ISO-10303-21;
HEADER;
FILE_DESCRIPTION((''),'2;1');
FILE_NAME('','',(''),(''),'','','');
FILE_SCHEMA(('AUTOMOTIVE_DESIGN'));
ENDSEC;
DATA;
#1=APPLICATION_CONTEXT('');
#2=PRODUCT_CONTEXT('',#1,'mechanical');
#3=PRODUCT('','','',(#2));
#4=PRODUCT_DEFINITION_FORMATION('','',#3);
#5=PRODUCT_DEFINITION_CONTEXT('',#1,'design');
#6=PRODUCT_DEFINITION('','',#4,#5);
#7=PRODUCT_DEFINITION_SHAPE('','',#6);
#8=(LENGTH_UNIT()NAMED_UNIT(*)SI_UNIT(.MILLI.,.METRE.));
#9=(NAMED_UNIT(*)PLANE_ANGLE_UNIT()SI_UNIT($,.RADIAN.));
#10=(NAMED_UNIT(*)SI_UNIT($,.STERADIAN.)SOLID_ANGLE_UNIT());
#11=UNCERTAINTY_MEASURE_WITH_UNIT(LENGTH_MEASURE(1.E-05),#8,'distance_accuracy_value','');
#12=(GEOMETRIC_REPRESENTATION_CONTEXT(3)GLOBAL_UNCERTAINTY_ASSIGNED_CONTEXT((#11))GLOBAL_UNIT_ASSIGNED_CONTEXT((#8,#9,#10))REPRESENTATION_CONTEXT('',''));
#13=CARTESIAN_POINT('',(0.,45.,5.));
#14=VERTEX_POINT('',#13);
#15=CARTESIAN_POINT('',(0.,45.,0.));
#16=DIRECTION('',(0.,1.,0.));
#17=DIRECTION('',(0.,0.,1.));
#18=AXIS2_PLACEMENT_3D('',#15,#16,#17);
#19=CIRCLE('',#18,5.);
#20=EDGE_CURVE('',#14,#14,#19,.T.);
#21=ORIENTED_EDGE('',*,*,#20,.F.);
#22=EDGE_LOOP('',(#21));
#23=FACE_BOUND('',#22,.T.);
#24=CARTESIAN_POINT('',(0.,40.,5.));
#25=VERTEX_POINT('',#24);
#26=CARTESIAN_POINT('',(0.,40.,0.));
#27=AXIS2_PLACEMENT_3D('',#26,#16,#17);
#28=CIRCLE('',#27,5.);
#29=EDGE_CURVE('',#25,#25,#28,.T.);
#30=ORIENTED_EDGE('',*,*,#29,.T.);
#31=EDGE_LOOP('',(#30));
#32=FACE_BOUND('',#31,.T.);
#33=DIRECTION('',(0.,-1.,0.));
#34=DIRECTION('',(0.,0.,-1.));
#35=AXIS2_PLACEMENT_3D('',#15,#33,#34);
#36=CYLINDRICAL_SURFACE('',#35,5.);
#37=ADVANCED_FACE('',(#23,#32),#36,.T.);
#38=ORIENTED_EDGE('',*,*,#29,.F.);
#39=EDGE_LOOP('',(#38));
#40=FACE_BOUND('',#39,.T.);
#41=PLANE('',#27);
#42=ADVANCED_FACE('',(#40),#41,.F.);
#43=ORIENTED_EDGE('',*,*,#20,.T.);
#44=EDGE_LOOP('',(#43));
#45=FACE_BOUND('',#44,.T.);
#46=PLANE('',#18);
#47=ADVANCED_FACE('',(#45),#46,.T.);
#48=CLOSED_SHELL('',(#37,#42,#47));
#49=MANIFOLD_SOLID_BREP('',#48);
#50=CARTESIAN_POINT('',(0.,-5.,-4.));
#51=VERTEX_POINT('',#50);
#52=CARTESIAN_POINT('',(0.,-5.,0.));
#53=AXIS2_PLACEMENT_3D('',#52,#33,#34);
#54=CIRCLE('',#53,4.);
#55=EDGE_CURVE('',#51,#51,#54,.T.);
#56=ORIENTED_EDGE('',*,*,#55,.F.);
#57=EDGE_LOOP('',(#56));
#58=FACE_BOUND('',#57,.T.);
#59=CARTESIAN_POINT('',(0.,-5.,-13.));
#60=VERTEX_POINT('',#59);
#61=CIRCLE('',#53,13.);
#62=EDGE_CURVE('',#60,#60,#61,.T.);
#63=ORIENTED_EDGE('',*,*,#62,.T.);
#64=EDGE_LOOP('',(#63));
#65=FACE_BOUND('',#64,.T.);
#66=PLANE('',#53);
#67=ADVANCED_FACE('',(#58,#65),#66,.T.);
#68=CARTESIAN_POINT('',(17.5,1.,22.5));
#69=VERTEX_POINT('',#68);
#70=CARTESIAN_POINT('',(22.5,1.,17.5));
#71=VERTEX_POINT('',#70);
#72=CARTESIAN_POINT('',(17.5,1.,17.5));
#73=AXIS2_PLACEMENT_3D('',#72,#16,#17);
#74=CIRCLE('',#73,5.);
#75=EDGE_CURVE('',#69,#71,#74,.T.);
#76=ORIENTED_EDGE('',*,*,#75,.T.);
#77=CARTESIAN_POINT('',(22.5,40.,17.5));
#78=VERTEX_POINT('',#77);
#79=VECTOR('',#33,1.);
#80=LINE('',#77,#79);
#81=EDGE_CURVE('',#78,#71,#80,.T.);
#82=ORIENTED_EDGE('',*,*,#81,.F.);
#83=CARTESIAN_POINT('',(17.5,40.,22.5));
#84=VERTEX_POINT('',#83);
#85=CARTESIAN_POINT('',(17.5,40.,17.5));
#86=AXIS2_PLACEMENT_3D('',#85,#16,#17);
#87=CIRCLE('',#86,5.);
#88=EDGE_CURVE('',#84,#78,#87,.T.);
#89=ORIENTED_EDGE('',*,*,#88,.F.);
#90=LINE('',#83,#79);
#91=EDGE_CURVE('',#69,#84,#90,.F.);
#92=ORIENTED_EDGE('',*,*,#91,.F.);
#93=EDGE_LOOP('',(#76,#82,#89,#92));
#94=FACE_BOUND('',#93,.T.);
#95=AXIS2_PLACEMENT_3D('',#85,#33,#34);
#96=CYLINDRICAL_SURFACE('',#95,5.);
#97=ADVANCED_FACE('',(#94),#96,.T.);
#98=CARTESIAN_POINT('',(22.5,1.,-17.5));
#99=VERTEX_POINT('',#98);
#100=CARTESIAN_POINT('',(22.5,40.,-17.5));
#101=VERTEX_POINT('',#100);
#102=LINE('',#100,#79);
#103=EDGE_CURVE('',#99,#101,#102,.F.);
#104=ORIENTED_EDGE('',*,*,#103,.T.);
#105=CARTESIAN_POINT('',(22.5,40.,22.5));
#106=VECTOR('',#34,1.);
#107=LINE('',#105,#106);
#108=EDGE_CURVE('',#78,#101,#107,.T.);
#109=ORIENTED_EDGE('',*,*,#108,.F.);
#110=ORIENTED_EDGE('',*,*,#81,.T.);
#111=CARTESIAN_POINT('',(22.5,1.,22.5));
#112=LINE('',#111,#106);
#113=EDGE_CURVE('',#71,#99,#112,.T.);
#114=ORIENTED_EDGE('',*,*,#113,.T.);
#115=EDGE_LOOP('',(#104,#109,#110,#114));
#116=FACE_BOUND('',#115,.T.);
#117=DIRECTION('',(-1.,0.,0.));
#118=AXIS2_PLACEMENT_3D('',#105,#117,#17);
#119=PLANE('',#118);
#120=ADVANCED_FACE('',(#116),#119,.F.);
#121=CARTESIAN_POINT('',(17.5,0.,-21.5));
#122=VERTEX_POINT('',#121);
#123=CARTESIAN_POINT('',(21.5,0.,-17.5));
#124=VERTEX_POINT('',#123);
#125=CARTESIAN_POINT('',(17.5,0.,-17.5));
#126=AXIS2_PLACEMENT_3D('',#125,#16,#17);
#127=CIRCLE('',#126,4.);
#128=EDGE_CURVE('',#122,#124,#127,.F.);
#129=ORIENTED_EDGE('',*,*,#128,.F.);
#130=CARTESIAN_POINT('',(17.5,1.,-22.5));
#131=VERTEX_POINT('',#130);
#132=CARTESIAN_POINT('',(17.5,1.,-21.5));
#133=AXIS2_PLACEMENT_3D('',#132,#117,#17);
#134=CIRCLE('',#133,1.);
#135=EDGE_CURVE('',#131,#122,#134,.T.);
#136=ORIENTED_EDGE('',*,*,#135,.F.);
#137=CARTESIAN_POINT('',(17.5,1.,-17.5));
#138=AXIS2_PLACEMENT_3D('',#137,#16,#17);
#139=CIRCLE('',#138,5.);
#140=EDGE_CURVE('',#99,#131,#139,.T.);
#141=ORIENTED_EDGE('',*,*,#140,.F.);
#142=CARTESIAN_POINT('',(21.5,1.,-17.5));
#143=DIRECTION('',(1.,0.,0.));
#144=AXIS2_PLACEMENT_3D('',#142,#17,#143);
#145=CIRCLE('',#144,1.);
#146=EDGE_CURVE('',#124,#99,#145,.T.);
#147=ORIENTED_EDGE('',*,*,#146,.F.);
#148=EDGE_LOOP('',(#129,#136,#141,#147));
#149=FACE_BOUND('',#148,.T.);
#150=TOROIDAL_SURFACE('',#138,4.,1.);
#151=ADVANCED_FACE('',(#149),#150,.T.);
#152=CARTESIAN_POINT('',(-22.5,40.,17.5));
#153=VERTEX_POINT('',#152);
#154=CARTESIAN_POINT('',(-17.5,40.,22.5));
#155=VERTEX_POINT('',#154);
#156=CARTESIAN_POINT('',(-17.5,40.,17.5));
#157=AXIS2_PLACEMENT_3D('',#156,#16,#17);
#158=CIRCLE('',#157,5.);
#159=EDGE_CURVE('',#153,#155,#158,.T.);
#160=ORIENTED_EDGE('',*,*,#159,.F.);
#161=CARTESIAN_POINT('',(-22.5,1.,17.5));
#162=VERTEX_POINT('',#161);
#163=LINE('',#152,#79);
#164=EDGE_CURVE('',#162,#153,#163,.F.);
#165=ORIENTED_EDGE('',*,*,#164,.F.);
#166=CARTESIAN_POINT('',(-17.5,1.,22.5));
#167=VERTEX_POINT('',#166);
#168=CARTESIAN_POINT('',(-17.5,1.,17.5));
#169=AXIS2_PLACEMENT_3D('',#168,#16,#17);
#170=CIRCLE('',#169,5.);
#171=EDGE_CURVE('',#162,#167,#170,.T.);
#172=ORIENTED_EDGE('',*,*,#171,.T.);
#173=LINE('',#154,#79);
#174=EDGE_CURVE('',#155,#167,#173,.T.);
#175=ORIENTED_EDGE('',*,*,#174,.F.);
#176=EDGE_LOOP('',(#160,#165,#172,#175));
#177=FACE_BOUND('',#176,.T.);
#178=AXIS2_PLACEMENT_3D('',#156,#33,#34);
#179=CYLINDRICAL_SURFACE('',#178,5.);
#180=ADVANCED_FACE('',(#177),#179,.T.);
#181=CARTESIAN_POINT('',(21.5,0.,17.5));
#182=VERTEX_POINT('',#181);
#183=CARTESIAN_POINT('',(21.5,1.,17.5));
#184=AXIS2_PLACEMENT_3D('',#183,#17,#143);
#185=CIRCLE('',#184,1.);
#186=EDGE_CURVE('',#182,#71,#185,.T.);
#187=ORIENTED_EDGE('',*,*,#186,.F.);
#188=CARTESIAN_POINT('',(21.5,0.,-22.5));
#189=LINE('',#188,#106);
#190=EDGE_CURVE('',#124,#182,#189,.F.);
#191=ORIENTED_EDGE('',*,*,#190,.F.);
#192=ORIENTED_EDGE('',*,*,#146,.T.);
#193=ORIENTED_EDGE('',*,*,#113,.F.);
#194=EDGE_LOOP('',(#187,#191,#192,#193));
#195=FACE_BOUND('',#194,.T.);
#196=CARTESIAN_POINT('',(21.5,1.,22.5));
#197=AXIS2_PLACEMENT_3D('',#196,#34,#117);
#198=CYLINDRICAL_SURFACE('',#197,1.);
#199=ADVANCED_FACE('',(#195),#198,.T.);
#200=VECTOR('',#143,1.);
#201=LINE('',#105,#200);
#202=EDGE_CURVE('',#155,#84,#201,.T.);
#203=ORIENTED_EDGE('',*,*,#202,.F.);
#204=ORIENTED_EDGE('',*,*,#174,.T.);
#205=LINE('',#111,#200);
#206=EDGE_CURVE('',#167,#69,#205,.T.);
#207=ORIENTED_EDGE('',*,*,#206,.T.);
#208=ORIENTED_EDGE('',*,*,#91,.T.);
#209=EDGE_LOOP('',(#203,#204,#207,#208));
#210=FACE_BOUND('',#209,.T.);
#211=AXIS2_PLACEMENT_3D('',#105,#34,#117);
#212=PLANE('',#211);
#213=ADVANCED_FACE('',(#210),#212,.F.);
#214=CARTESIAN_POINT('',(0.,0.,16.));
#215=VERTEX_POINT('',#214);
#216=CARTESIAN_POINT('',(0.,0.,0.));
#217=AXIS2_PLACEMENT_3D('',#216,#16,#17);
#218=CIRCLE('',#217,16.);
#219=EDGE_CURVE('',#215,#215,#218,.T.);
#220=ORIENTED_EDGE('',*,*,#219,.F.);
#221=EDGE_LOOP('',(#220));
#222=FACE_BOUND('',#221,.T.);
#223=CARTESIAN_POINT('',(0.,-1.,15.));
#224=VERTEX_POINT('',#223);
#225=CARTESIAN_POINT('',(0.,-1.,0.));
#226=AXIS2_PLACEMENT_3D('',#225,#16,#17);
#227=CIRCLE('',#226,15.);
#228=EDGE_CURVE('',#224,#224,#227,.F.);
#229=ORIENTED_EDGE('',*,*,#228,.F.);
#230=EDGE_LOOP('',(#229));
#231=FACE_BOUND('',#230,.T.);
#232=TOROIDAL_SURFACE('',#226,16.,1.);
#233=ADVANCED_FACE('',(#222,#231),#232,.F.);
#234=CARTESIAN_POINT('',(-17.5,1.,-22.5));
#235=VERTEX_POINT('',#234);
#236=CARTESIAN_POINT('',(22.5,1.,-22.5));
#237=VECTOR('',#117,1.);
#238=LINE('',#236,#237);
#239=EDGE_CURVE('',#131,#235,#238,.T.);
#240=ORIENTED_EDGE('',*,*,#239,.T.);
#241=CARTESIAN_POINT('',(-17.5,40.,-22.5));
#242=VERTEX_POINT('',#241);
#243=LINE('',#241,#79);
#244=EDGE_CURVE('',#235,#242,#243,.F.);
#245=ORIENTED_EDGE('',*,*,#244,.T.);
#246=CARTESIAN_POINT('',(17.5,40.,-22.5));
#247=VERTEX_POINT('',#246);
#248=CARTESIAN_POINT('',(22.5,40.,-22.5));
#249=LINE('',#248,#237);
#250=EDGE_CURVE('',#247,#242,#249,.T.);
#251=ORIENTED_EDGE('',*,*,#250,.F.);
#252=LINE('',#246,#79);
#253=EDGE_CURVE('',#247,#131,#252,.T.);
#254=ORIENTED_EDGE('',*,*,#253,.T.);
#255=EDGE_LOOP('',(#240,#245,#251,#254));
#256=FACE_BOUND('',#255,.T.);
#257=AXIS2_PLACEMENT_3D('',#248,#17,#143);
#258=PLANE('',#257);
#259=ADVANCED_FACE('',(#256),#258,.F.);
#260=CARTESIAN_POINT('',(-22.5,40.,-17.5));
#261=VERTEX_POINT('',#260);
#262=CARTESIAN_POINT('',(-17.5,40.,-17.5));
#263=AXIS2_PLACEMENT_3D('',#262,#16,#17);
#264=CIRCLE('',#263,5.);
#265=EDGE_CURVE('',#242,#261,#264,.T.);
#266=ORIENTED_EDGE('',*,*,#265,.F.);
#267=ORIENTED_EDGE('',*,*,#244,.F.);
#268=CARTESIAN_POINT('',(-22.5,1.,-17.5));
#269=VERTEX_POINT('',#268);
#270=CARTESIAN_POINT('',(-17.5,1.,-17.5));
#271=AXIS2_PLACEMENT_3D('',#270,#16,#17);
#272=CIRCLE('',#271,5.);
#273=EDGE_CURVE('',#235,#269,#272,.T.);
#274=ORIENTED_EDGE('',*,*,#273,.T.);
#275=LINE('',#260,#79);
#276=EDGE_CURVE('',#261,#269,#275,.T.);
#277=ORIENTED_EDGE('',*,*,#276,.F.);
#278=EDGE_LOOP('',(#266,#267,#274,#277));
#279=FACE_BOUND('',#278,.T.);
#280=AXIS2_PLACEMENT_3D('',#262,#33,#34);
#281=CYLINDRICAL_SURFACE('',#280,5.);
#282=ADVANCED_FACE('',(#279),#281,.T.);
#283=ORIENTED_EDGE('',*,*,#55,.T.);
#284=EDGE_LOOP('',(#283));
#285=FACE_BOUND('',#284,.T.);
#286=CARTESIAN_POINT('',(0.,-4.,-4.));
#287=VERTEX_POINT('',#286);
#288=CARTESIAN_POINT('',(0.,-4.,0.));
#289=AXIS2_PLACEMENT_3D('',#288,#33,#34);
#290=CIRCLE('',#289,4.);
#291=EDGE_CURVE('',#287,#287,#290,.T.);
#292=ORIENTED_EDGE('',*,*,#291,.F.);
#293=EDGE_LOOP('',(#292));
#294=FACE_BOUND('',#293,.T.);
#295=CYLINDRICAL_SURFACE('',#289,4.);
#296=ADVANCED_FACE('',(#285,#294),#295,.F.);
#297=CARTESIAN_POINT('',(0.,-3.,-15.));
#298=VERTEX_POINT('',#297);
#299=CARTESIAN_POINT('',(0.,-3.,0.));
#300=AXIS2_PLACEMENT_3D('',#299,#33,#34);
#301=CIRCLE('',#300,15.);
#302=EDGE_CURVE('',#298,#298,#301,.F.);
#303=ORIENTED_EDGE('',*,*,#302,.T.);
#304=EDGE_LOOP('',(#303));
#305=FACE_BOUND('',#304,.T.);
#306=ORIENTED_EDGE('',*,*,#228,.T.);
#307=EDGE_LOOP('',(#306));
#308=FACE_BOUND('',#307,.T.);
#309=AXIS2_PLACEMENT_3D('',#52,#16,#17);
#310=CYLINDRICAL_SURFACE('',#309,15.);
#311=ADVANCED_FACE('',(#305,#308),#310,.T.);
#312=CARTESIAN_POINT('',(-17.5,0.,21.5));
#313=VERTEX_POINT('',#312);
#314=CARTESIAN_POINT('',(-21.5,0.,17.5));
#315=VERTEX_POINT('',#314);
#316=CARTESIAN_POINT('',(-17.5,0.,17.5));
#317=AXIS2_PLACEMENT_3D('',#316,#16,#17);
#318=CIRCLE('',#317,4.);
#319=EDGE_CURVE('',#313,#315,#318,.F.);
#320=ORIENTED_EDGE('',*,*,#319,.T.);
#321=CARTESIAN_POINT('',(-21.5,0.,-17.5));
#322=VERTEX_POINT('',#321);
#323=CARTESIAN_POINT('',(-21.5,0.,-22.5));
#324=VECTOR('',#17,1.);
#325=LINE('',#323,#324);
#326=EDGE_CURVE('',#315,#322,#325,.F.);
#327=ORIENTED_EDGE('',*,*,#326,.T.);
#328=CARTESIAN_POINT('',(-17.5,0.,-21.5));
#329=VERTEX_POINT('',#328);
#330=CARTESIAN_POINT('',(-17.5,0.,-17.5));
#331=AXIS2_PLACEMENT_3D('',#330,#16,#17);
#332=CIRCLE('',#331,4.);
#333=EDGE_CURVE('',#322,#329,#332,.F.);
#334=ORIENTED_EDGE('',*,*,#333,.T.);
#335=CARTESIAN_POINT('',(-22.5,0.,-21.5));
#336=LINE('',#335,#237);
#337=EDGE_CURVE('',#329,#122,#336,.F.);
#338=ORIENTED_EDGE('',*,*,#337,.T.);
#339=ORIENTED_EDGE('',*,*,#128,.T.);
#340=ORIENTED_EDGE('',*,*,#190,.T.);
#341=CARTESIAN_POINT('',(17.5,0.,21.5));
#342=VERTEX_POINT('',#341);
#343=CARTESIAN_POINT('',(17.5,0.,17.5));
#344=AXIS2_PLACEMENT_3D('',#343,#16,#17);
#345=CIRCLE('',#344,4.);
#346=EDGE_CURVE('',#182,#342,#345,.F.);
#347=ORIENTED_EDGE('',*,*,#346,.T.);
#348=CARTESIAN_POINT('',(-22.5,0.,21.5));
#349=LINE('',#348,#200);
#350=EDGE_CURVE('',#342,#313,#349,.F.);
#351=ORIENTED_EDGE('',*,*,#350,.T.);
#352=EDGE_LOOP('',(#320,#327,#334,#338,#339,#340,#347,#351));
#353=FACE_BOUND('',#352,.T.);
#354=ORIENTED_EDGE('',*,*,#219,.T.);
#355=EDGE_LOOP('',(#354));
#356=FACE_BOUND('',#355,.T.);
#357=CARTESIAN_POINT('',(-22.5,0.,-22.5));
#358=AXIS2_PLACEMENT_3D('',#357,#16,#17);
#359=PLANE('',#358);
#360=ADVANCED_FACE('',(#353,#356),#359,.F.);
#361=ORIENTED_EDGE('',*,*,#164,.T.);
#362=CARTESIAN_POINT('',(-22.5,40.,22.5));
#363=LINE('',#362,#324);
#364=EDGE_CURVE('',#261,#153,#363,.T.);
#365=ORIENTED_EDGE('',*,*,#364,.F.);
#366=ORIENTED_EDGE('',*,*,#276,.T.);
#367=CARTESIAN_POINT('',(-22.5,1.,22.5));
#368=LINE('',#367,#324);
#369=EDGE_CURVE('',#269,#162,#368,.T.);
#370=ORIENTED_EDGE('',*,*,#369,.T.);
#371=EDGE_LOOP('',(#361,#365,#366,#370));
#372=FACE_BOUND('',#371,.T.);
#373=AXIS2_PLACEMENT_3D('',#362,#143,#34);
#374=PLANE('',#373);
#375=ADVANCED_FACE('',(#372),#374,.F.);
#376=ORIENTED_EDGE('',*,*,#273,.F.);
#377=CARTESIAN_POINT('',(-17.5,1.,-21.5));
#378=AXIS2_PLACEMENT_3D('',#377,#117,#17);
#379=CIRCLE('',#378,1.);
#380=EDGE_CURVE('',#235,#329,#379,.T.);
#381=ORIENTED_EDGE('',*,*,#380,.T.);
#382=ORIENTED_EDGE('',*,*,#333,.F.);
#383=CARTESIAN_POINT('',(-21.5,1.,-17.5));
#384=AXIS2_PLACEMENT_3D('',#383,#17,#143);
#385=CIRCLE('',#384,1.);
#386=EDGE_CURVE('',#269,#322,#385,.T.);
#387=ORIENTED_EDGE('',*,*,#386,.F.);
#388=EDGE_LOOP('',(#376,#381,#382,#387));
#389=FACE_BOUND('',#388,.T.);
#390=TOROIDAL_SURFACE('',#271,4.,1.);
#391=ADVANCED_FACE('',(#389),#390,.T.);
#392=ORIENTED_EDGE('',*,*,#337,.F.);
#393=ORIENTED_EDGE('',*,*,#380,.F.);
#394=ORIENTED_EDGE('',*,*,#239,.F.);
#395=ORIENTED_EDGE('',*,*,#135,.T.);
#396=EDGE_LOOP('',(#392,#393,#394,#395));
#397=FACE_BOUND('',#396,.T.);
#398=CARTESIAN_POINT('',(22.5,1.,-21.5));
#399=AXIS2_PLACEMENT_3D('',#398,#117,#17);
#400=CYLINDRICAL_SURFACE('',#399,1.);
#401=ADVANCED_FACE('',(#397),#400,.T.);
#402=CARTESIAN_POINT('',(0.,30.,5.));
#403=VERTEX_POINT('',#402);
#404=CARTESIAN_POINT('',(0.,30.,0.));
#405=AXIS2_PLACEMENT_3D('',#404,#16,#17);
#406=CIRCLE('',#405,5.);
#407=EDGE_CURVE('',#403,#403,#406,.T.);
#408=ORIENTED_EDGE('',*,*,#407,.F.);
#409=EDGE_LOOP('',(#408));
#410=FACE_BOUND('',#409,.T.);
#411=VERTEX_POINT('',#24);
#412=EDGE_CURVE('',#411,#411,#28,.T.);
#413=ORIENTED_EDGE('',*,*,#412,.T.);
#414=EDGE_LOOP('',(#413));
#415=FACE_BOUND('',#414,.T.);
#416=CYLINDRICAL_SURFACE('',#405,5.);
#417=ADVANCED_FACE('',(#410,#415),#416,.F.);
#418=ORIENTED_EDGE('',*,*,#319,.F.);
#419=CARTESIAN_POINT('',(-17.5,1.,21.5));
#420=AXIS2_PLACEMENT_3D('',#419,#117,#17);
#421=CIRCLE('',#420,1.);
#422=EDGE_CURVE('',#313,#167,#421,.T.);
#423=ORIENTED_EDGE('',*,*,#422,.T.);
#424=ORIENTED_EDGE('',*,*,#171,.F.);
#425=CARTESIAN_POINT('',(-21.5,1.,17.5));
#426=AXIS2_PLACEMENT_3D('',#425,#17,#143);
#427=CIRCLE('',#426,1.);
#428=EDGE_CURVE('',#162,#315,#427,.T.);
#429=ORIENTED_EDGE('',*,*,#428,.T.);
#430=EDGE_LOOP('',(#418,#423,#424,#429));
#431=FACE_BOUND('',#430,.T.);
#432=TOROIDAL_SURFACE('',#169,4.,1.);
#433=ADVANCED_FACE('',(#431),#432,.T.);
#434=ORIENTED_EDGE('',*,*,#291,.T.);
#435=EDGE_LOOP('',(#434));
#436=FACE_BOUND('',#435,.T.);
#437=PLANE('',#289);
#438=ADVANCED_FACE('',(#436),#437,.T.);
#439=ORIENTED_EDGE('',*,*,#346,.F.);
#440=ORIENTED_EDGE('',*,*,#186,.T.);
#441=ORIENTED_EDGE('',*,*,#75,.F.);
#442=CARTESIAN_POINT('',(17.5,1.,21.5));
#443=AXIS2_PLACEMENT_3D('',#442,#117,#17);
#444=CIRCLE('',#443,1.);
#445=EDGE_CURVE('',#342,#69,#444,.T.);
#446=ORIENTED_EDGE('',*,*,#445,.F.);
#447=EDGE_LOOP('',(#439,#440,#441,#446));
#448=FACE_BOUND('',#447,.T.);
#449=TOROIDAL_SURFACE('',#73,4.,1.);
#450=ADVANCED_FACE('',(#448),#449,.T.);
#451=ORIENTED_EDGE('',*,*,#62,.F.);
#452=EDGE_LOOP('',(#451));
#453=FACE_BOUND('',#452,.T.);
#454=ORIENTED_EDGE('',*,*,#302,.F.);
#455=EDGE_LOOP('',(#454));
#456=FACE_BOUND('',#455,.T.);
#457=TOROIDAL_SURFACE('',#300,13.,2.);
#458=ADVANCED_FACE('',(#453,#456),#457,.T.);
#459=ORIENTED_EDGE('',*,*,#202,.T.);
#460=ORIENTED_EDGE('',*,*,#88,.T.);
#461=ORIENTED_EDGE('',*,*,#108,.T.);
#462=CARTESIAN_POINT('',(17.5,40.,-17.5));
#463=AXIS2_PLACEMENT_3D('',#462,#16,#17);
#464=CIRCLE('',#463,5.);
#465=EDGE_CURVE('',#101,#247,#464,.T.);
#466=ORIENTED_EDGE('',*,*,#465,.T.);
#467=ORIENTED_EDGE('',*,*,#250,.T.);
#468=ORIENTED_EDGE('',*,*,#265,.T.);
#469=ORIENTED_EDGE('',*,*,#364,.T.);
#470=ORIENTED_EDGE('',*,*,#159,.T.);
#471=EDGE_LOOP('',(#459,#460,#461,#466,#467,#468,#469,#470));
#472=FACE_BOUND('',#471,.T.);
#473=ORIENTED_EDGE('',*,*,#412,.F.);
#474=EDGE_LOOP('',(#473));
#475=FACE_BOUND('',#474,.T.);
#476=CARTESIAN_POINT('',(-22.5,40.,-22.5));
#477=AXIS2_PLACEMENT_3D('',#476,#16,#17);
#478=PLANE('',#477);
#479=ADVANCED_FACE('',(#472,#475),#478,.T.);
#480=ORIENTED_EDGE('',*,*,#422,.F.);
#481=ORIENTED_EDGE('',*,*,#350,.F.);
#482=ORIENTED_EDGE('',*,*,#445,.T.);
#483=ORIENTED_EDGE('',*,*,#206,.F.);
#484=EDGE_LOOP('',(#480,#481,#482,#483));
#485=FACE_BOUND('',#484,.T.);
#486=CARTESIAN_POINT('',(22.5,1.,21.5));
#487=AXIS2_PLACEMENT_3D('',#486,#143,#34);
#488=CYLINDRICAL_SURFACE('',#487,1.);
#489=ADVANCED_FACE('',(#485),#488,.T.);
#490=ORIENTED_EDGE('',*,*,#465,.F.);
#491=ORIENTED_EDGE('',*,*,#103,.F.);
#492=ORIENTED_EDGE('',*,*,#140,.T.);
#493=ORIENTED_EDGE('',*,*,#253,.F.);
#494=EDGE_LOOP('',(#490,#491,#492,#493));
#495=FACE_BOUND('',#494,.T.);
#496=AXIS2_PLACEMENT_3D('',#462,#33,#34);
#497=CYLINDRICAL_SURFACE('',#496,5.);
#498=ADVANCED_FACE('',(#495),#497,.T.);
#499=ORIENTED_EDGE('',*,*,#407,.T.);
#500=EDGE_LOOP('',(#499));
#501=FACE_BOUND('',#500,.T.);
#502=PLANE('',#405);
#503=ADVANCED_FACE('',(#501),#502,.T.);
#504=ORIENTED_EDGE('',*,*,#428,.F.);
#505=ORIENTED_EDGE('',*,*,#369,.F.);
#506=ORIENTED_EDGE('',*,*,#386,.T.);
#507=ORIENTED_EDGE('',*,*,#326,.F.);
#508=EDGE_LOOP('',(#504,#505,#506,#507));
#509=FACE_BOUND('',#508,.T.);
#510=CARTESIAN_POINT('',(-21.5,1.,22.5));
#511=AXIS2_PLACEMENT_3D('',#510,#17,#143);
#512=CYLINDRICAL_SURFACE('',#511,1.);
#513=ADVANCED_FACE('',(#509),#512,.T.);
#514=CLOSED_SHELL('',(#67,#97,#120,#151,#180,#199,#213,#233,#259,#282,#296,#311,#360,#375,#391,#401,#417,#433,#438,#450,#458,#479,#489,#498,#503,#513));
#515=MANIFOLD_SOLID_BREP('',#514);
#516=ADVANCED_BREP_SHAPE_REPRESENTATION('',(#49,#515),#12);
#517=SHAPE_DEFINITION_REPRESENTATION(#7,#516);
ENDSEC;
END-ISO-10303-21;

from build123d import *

# Parameters (mm, degrees)
CROQUIS1_W     = 45
CROQUIS1_H     = 45
EXTRUIR1_DEPTH = 40
CROQUIS2_R     = 5
EXTRUIR2_DEPTH = 10
REDONDEO1_R    = 5
CROQUIS3_R     = 15
EXTRUIR3_DEPTH = 5
REDONDEO2_R    = 2
REDONDEO3_R    = 1
CROQUIS4_R     = 4
EXTRUIR4_DEPTH = 1
CROQUIS5_R     = 5
EXTRUIR5_DEPTH = 5


with BuildPart() as part:
    # Croquis1 → Extruir1 (new body)
    with BuildSketch(Plane(origin=(0, 0, 0), x_dir=(1, 0, 0), z_dir=(0, 1, 0))):
        Rectangle(CROQUIS1_W, CROQUIS1_H)
    extrude(amount=EXTRUIR1_DEPTH)

    # Croquis2 → Extruir2 (cut)
    with BuildSketch(Plane(origin=(0, 40, 0), x_dir=(1, 0, 0), z_dir=(0, 1, 0))):
        with Locations(Location((0, 0, 0), (0, 0, 270))):
            Circle(CROQUIS2_R)
    extrude(amount=-EXTRUIR2_DEPTH, mode=Mode.SUBTRACT)

    # Redondeo1
    redondeo1_edges = [part.edges().sort_by_distance(p)[0] for p in [
        (-22.5, 20, -22.5),
        (22.5, 20, -22.5),
        (22.5, 20, 22.5),
        (-22.5, 20, 22.5),
    ]]
    fillet(redondeo1_edges, radius=REDONDEO1_R)

    # Croquis3 → Extruir3 (add)
    with BuildSketch(Plane.XZ):
        with Locations(Location((0, 0, 0), (0, 0, 90))):
            Circle(CROQUIS3_R)
    extrude(amount=EXTRUIR3_DEPTH)

    # Redondeo2
    redondeo2_edges = [part.edges().sort_by_distance(p)[0] for p in [
        (0, -5, -15),
    ]]
    fillet(redondeo2_edges, radius=REDONDEO2_R)

    # Redondeo3
    redondeo3_edges = [part.edges().sort_by_distance(p)[0] for p in [
        (-22.5, 0, 0),
        (0, 0, -22.5),
        (22.5, 0, 0),
        (0, 0, 22.5),
        (-21.035533906, 0, 21.035533906),
        (21.035533906, 0, 21.035533906),
        (21.035533906, 0, -21.035533906),
        (-21.035533906, 0, -21.035533906),
        (0, 0, -15),
    ]]
    fillet(redondeo3_edges, radius=REDONDEO3_R)

    # Croquis4 → Extruir4 (cut)
    with BuildSketch(Plane.XZ.offset(5)):
        with Locations(Location((0, 0, 0), (0, 0, 270))):
            Circle(CROQUIS4_R)
    extrude(amount=-EXTRUIR4_DEPTH, mode=Mode.SUBTRACT)


with BuildPart() as body_2:
    # Croquis5 → Extruir5 (new body)
    with BuildSketch(Plane(origin=(0, 40, 0), x_dir=(1, 0, 0), z_dir=(0, 1, 0))):
        with Locations(Location((0, 0, 0), (0, 0, 270))):
            Circle(CROQUIS5_R)
    extrude(amount=EXTRUIR5_DEPTH)


solid = Compound([part.part, body_2.part])
